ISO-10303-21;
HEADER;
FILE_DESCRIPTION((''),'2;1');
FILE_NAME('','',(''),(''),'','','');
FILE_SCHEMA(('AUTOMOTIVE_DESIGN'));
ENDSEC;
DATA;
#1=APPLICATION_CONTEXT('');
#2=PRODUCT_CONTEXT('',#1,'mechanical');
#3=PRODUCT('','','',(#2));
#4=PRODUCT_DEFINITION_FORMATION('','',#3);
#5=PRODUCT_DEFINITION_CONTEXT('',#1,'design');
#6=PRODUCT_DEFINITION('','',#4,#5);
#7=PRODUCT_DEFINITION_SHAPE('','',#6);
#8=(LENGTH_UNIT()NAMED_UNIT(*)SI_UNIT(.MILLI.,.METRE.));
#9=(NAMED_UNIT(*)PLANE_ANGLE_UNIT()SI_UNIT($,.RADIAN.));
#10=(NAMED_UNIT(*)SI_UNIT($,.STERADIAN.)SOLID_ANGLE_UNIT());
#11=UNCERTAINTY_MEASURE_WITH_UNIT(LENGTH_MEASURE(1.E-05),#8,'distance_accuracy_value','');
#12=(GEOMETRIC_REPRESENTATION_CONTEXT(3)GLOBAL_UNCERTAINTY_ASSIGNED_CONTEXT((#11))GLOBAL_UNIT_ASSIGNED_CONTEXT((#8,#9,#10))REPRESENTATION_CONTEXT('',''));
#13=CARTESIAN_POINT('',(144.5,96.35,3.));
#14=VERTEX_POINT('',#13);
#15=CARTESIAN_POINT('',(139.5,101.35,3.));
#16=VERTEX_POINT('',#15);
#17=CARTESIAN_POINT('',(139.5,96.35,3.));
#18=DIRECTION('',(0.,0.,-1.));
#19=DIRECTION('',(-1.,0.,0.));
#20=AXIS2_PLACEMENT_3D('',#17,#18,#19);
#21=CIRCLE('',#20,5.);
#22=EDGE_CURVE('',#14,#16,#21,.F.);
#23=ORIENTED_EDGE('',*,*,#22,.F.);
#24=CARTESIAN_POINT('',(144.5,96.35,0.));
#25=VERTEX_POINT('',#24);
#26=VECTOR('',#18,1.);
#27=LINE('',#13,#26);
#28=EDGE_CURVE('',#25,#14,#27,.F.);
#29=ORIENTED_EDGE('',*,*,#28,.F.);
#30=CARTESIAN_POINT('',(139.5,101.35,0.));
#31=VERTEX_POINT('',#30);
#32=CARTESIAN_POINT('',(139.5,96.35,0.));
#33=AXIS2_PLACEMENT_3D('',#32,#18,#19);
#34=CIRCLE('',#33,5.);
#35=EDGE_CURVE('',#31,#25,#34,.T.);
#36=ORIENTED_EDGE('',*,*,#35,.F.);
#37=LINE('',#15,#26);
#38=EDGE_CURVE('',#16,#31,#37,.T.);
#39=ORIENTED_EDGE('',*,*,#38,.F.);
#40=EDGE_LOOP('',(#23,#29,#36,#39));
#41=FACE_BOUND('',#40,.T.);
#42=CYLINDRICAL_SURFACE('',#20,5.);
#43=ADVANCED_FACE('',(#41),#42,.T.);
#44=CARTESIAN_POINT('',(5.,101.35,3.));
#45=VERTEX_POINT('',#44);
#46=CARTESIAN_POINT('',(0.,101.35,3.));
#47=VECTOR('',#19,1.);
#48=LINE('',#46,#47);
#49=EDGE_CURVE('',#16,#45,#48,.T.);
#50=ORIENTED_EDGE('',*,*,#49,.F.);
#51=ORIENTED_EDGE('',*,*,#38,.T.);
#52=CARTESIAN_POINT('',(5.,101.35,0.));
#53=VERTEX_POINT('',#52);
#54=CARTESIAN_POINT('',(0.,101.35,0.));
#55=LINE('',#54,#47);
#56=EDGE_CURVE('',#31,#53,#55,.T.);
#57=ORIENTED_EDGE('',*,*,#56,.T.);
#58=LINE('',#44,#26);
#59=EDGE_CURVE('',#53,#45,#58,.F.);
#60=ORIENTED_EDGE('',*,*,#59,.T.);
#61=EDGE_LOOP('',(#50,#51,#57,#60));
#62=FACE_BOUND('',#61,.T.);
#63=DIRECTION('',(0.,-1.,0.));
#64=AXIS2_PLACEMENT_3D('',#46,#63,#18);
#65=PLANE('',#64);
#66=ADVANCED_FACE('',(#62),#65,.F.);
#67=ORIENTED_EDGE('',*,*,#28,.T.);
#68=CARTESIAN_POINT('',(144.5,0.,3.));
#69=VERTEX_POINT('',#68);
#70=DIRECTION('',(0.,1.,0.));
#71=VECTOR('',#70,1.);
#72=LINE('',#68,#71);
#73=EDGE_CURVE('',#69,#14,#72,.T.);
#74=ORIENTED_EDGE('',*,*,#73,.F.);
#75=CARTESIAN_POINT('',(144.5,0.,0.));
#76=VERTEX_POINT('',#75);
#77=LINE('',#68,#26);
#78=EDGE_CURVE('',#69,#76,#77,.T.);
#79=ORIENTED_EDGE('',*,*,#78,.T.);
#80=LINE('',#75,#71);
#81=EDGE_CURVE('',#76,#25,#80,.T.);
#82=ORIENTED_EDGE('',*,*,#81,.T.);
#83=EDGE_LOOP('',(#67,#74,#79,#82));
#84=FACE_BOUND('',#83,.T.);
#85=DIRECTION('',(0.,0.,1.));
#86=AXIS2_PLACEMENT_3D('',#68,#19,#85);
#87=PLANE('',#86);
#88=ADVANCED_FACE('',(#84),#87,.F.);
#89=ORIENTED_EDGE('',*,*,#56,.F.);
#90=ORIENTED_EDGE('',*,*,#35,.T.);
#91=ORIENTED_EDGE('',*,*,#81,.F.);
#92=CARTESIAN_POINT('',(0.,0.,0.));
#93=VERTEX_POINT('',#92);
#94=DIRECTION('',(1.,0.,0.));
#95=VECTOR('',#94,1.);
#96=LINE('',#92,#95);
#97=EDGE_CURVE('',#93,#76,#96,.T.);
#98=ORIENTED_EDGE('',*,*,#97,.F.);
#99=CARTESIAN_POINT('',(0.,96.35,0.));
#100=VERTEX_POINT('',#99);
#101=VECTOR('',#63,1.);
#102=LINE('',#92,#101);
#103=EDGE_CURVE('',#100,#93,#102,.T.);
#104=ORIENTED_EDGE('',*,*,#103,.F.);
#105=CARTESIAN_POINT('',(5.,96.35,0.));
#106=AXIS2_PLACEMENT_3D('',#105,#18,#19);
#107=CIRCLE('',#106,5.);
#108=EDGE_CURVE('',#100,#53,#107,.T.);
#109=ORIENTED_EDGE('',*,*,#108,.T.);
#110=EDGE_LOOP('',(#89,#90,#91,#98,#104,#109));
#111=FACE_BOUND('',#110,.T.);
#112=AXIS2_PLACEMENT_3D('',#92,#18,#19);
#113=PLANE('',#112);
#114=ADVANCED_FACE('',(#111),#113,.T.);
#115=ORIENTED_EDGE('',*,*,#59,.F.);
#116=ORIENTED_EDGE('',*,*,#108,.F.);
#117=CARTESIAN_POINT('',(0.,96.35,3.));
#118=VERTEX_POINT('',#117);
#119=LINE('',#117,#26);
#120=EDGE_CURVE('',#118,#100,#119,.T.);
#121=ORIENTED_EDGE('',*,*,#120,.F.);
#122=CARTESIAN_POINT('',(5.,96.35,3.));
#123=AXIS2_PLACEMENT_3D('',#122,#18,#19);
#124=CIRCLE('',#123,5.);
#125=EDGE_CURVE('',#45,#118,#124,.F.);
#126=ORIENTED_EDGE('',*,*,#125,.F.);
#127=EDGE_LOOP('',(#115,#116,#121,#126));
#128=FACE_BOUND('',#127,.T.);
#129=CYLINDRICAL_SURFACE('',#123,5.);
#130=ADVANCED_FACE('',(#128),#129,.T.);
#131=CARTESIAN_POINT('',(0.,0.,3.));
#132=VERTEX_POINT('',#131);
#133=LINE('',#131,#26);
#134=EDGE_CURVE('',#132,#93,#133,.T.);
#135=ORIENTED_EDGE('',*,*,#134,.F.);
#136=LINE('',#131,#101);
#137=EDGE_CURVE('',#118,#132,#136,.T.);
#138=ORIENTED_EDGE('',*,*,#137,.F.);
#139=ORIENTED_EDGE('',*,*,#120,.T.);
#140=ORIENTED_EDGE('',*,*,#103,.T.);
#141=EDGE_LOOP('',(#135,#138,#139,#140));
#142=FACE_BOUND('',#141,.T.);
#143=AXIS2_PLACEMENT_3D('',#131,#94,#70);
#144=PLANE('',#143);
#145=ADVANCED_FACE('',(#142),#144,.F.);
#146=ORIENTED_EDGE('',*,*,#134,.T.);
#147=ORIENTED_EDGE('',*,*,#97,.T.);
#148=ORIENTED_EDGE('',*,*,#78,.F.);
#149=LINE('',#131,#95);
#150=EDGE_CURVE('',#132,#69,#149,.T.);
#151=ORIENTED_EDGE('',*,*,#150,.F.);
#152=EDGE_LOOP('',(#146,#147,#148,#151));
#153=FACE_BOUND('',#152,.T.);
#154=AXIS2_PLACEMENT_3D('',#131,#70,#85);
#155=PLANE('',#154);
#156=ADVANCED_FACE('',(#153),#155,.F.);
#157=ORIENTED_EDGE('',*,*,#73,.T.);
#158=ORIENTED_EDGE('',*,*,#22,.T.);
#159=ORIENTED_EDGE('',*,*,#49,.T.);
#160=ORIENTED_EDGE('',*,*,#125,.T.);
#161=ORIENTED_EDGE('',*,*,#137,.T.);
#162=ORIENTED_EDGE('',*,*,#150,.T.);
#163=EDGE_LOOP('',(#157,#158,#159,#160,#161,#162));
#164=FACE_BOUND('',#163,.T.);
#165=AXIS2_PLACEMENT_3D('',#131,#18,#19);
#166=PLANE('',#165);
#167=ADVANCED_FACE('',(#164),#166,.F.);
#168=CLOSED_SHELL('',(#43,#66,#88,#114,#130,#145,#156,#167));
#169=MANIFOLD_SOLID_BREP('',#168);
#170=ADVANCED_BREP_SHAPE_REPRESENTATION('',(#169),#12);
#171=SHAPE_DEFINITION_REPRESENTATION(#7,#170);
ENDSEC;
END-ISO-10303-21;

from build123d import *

# Parameters (mm, degrees)
SKETCH1_W           = 144.5
SKETCH1_H           = 101.35
BOSS_EXTRUDE1_DEPTH = 3
FILLET1_R           = 5


with BuildPart() as part:
    # Sketch1 → Boss-Extrude1 (new body)
    with BuildSketch(Plane.XY):
        with Locations((72.25, 50.675)):
            Rectangle(SKETCH1_W, SKETCH1_H)
    extrude(amount=BOSS_EXTRUDE1_DEPTH)

    # Fillet1
    fillet1_edges = [part.edges().sort_by_distance(p)[0] for p in [
        (0, 101.35, 1.5),
        (144.5, 101.35, 1.5),
    ]]
    fillet(fillet1_edges, radius=FILLET1_R)


solid = part.part
